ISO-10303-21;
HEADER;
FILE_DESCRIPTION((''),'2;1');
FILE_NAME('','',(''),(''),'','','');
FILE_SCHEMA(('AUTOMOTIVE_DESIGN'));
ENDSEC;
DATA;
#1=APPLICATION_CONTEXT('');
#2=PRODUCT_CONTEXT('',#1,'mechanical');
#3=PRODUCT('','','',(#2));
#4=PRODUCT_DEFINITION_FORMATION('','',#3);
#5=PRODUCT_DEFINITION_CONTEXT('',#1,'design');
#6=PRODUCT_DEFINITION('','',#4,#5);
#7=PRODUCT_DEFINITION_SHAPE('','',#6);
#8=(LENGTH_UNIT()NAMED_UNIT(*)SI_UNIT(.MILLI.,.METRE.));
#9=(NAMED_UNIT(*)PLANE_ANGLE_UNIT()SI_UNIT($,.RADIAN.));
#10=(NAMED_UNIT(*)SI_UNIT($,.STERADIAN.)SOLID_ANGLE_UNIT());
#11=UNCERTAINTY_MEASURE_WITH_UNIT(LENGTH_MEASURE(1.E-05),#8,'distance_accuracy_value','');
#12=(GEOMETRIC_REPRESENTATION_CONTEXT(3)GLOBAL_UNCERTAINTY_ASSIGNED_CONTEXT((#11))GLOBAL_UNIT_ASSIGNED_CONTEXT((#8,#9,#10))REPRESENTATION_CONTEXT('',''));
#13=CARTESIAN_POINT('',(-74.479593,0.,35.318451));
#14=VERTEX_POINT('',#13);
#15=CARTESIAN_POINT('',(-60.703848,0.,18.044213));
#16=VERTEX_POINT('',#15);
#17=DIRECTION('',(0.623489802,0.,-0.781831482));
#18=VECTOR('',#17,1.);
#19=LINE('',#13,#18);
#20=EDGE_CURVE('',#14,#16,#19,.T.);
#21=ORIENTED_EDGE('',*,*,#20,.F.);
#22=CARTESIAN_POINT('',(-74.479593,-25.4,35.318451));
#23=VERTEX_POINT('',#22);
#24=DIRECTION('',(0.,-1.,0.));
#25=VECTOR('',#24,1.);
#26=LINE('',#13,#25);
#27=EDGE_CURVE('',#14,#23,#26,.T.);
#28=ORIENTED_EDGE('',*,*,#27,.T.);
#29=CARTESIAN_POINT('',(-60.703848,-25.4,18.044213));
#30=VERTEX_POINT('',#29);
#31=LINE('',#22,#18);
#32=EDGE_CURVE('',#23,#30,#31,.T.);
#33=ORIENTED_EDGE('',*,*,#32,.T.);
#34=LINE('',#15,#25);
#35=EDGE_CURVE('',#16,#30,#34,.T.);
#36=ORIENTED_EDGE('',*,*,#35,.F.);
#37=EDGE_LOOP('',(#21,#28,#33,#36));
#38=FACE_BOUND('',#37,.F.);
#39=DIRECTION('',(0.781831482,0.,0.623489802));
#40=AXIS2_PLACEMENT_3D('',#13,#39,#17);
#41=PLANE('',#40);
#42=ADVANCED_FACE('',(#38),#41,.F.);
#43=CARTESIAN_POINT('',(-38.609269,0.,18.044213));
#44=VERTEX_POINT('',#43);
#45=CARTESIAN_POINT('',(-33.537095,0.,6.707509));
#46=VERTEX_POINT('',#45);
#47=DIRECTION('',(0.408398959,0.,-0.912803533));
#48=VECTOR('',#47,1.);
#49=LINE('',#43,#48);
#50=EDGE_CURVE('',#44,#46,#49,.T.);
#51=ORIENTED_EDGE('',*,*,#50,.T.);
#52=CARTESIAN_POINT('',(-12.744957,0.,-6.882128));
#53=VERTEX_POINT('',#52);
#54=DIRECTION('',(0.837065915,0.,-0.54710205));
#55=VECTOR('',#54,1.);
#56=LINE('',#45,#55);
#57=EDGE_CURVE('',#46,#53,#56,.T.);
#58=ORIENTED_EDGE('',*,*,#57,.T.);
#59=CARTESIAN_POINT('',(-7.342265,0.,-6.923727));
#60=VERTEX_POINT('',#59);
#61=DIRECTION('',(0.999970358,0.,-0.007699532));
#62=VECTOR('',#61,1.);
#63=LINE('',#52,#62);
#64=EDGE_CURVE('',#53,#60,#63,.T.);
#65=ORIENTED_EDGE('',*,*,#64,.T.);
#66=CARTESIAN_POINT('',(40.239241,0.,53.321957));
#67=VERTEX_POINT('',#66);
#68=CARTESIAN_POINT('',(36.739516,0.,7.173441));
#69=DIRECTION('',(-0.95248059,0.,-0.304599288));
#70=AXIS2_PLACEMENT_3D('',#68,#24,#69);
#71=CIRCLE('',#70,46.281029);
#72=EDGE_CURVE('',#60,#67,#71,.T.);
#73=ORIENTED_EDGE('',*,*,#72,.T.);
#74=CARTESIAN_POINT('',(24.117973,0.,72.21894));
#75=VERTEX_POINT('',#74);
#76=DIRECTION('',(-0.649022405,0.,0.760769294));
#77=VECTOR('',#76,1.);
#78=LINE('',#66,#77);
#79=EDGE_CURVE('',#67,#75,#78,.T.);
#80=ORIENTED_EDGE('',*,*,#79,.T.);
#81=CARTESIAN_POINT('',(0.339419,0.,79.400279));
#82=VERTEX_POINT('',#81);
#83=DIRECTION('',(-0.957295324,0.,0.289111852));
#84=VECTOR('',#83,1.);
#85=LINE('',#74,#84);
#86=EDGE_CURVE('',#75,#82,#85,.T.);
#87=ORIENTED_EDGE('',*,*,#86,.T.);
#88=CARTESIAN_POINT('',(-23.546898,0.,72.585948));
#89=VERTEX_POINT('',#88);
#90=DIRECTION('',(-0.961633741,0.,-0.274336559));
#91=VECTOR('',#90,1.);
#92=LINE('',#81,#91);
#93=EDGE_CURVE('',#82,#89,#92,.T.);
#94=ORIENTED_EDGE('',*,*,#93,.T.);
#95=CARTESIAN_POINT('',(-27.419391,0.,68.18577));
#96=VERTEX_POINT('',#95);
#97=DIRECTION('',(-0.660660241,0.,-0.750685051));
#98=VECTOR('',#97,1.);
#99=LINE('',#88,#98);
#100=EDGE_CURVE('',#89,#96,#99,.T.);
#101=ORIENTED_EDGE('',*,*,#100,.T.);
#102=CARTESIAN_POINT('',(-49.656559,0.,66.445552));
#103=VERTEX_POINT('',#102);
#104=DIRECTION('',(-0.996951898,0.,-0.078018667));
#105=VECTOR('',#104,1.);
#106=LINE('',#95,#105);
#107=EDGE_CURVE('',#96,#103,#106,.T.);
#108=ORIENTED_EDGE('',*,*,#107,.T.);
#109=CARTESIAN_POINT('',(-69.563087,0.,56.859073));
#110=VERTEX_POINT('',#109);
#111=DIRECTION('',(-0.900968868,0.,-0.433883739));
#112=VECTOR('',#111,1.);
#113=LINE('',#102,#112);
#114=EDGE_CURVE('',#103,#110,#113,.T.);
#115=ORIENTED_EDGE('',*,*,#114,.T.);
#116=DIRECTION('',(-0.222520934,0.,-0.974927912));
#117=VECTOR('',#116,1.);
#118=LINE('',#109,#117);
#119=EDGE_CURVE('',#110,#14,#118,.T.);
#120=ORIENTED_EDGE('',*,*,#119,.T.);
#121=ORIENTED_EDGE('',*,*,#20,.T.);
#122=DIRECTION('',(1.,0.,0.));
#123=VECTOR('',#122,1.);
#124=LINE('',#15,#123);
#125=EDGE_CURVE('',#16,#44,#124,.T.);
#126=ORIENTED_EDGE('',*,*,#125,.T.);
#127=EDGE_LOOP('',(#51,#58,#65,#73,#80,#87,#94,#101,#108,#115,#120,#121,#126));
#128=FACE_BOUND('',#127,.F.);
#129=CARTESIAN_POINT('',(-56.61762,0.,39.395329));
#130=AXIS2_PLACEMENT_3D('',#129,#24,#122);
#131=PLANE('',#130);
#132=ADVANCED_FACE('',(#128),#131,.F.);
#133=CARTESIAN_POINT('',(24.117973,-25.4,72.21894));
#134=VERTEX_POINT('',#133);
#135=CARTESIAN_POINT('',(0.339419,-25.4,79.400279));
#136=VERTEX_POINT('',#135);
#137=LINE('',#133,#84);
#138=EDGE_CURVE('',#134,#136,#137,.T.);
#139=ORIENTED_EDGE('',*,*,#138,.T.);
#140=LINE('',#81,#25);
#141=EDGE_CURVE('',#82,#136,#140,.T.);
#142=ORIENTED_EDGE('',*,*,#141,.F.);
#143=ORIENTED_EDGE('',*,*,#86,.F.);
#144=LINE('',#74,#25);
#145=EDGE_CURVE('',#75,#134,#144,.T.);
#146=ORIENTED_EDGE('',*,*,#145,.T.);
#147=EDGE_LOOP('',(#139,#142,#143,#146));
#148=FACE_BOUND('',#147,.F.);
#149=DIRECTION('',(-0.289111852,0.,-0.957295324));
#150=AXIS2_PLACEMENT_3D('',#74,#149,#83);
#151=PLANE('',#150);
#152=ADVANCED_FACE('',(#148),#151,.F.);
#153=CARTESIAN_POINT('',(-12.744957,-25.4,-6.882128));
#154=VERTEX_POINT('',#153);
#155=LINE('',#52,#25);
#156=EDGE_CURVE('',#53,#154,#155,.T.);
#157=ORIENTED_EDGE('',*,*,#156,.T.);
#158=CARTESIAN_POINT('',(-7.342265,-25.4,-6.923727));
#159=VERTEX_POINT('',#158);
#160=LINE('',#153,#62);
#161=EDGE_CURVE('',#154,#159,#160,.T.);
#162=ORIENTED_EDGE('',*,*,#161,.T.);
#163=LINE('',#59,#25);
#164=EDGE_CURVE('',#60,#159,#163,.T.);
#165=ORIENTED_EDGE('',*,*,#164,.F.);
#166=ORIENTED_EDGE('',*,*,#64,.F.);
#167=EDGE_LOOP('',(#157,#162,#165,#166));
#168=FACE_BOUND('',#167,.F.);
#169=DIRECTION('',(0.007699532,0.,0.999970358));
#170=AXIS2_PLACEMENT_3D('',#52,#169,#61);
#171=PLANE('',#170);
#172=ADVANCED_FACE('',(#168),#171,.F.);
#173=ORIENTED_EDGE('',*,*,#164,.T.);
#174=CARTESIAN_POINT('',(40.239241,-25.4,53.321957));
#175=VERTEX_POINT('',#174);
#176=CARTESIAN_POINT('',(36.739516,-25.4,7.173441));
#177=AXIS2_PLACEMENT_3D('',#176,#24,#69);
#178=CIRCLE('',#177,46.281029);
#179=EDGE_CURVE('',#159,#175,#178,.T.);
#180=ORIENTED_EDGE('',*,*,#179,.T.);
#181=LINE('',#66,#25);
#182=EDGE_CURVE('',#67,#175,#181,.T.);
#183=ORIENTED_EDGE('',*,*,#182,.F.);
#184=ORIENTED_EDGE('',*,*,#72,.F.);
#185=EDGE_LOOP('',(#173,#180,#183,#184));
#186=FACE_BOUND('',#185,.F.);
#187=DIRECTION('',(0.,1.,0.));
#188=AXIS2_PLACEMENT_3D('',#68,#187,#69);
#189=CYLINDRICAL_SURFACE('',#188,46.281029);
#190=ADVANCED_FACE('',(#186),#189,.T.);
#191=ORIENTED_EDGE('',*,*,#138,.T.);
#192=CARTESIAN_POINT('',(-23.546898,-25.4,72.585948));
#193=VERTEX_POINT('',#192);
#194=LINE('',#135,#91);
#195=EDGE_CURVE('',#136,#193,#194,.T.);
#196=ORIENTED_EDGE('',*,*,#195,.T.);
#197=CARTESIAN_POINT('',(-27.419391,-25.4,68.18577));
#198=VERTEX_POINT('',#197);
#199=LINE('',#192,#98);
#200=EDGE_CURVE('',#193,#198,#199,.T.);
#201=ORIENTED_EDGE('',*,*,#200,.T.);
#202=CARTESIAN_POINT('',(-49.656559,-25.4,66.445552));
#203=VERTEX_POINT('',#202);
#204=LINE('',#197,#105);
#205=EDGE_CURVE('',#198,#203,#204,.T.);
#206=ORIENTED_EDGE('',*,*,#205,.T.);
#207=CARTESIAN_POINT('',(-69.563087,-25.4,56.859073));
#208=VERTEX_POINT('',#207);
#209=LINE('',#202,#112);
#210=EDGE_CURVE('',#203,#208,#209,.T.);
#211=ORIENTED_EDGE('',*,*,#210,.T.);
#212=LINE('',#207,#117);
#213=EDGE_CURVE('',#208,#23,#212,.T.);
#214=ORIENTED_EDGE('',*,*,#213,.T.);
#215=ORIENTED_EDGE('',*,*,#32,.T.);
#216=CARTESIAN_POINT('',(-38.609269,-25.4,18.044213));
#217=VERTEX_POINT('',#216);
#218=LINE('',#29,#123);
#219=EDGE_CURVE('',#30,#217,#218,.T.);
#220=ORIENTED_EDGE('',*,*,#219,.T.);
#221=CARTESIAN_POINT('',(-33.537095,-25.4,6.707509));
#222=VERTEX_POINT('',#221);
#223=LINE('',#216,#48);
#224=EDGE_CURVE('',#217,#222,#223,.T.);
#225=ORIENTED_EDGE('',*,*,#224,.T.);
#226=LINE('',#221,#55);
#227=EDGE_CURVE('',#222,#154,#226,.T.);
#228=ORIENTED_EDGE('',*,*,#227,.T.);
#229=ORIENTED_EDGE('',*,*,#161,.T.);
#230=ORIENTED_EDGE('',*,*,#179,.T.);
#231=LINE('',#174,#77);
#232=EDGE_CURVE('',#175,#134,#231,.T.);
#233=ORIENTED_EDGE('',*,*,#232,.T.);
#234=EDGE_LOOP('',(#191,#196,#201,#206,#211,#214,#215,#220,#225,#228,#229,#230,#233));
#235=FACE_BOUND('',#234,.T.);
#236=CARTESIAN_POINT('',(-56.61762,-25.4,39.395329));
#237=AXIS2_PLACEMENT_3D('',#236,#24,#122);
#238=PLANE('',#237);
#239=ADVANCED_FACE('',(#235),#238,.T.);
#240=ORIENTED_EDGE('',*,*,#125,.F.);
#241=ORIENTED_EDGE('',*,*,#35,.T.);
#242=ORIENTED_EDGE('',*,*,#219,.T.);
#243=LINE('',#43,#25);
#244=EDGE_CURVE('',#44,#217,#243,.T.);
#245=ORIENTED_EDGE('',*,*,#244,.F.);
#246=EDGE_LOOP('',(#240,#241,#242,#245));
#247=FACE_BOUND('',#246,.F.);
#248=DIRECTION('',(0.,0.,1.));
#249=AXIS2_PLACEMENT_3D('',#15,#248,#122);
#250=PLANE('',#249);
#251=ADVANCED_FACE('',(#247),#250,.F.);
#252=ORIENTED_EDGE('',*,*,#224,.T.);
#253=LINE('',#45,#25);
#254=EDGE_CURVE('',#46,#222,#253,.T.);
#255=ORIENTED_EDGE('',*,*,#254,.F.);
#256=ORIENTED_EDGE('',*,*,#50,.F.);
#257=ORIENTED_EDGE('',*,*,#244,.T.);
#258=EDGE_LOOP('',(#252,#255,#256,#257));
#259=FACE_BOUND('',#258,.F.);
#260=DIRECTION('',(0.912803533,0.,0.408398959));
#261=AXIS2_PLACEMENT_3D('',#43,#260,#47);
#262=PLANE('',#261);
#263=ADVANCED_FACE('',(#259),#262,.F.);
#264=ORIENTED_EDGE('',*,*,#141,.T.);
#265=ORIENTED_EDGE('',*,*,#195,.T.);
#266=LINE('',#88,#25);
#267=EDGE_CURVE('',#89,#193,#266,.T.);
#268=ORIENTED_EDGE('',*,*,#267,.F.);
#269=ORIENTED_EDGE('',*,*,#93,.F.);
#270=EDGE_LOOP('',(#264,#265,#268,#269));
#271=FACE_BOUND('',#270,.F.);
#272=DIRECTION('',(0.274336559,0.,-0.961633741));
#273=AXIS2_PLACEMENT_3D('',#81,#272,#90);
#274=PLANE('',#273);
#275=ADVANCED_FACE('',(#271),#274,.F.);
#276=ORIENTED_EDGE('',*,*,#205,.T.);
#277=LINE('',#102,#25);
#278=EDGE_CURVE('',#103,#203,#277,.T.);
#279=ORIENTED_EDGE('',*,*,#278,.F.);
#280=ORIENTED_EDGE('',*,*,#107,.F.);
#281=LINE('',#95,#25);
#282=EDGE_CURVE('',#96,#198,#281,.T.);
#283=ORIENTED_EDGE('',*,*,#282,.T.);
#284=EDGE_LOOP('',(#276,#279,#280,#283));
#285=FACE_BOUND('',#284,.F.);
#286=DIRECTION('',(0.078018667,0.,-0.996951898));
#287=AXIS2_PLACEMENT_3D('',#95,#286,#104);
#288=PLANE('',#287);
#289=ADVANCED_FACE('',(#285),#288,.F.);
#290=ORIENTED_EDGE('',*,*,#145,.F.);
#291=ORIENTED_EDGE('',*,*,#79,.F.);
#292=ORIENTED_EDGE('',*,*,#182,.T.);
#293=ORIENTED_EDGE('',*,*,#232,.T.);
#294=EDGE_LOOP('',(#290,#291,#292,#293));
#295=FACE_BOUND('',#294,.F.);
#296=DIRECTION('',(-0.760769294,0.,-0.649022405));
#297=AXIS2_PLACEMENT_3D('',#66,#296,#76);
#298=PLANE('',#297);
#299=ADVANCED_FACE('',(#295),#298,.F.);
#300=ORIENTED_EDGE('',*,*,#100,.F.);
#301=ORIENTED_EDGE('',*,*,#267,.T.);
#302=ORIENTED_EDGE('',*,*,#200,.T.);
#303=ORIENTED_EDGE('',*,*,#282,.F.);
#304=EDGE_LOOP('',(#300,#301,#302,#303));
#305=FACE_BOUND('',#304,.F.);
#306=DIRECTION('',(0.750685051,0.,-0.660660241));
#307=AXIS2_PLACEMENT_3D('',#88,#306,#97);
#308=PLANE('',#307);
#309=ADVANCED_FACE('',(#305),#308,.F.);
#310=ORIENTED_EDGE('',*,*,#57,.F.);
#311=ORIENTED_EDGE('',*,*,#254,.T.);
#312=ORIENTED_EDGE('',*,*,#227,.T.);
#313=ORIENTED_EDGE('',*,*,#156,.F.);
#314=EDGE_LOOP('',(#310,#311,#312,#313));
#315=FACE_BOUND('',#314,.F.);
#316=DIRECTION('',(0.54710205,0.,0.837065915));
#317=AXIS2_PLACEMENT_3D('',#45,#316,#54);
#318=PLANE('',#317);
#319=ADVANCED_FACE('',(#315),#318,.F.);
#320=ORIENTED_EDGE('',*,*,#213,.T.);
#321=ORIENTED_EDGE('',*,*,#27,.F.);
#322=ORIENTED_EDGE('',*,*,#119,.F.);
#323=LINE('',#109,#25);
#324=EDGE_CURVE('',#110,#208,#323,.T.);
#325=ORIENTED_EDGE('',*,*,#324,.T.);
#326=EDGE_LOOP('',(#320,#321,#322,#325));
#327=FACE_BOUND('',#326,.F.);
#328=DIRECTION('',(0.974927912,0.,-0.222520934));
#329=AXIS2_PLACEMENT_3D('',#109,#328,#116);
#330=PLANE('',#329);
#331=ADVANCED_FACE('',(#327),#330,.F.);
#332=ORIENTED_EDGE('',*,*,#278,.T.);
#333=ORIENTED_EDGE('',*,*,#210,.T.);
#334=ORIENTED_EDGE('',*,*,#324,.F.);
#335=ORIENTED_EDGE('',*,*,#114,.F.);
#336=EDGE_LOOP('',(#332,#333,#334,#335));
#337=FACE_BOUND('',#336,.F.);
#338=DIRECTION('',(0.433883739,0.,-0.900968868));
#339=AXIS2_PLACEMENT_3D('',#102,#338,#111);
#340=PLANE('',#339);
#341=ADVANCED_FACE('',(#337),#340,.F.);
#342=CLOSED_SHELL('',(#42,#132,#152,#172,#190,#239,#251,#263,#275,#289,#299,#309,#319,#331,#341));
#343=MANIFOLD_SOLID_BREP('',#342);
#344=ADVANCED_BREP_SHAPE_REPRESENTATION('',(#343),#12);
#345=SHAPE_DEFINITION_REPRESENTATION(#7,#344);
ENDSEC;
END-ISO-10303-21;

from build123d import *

# Parameters (mm, degrees)
F1_DEPTH = 25.4


with BuildPart() as f1:
    # F0 (on Front) → F1 (new body)
    with BuildSketch(Plane.XZ):
        Polygon((-60.7038484952, 18.044212833), (-38.6092690685, 18.044212833), (-49.6565587819, 40.984146297), (-49.6565587819, 66.4455515477), (-69.5630869947, 56.8590728118), (-74.4795934441, 35.3184506208), align=None)
        Polygon((-43.6814429283, 29.3809171045), (-38.6092690685, 18.044212833), (-24.8335241196, 35.3184506208), (-29.750030569, 56.8590728118), (-35.1142665509, 59.44235271), (-39.9572411565, 53.9394505863), align=None)
        Polygon((-49.6565587819, 40.984146297), (-38.6092690685, 18.044212833), (-43.6814429283, 29.3809171045), (-39.9572411565, 53.9394505863), (-35.1142665509, 59.44235271), (-49.6565587819, 66.4455515477), align=None)
        Polygon((-27.419390733, 68.1857701195), (-49.6565587819, 66.4455515477), (-35.1142665509, 59.44235271), align=None)
        Polygon((-24.8335241196, 35.3184506208), (-38.6092690685, 18.044212833), (0, 35.3184506208), (12.0936154721, -7.0733790799), (33.0925502034, 6.1944762768), (35.8015205644, 12.0074284384), (24.1179733482, 72.2189400772), (-27.419390733, 68.1857701195), (-35.1142665509, 59.44235271), (-29.750030569, 56.8590728118), align=None)
        Polygon((-23.5468976418, 72.5859481487), (-27.419390733, 68.1857701195), (24.1179733482, 72.2189400772), (0.3394194997, 79.4002785656), align=None)
        with BuildLine():
            Line((0, 35.3184506208), (-38.6092690685, 18.044212833))
            Line((-38.6092690685, 18.044212833), (-33.5370952087, 6.7075085615))
            Line((-33.5370952087, 6.7075085615), (-12.7449567222, -6.8821280329))
            Line((-12.7449567222, -6.8821280329), (-7.3422654341, -6.9237274597))
            ThreePointArc((-7.3422654341, -6.9237274597), (-8.857862567, 15.0988858159), (0, 35.3184506208))
        make_face()
        with BuildLine():
            Line((12.0936154721, -7.0733790799), (0, 35.3184506208))
            ThreePointArc((0, 35.3184506208), (-8.857862567, 15.0988858159), (-7.3422654341, -6.9237274597))
            Line((-7.3422654341, -6.9237274597), (12.0936154721, -7.0733790799))
        make_face()
        Polygon((43.5848340659, 28.7089877074), (40.2392410682, 53.3219569129), (24.1179733482, 72.2189400772), (35.8015205644, 12.0074284384), align=None)
        with BuildLine():
            Line((12.0936154721, -7.0733790799), (-7.3422654341, -6.9237274597))
            ThreePointArc((-7.3422654341, -6.9237274597), (73.0590898391, -21.5114360168), (40.2392410682, 53.3219569129))
            Line((40.2392410682, 53.3219569129), (43.5848340659, 28.7089877074))
            Line((43.5848340659, 28.7089877074), (35.8015205644, 12.0074284384))
            Line((35.8015205644, 12.0074284384), (36.7395159802, 7.173440879))
            Line((36.7395159802, 7.173440879), (12.0936154721, -7.0733790799))
        make_face()
        Polygon((33.0925502034, 6.1944762768), (12.0936154721, -7.0733790799), (36.7395159802, 7.173440879), (35.8015205644, 12.0074284384), align=None)
    extrude(amount=F1_DEPTH)


solid = f1.part
